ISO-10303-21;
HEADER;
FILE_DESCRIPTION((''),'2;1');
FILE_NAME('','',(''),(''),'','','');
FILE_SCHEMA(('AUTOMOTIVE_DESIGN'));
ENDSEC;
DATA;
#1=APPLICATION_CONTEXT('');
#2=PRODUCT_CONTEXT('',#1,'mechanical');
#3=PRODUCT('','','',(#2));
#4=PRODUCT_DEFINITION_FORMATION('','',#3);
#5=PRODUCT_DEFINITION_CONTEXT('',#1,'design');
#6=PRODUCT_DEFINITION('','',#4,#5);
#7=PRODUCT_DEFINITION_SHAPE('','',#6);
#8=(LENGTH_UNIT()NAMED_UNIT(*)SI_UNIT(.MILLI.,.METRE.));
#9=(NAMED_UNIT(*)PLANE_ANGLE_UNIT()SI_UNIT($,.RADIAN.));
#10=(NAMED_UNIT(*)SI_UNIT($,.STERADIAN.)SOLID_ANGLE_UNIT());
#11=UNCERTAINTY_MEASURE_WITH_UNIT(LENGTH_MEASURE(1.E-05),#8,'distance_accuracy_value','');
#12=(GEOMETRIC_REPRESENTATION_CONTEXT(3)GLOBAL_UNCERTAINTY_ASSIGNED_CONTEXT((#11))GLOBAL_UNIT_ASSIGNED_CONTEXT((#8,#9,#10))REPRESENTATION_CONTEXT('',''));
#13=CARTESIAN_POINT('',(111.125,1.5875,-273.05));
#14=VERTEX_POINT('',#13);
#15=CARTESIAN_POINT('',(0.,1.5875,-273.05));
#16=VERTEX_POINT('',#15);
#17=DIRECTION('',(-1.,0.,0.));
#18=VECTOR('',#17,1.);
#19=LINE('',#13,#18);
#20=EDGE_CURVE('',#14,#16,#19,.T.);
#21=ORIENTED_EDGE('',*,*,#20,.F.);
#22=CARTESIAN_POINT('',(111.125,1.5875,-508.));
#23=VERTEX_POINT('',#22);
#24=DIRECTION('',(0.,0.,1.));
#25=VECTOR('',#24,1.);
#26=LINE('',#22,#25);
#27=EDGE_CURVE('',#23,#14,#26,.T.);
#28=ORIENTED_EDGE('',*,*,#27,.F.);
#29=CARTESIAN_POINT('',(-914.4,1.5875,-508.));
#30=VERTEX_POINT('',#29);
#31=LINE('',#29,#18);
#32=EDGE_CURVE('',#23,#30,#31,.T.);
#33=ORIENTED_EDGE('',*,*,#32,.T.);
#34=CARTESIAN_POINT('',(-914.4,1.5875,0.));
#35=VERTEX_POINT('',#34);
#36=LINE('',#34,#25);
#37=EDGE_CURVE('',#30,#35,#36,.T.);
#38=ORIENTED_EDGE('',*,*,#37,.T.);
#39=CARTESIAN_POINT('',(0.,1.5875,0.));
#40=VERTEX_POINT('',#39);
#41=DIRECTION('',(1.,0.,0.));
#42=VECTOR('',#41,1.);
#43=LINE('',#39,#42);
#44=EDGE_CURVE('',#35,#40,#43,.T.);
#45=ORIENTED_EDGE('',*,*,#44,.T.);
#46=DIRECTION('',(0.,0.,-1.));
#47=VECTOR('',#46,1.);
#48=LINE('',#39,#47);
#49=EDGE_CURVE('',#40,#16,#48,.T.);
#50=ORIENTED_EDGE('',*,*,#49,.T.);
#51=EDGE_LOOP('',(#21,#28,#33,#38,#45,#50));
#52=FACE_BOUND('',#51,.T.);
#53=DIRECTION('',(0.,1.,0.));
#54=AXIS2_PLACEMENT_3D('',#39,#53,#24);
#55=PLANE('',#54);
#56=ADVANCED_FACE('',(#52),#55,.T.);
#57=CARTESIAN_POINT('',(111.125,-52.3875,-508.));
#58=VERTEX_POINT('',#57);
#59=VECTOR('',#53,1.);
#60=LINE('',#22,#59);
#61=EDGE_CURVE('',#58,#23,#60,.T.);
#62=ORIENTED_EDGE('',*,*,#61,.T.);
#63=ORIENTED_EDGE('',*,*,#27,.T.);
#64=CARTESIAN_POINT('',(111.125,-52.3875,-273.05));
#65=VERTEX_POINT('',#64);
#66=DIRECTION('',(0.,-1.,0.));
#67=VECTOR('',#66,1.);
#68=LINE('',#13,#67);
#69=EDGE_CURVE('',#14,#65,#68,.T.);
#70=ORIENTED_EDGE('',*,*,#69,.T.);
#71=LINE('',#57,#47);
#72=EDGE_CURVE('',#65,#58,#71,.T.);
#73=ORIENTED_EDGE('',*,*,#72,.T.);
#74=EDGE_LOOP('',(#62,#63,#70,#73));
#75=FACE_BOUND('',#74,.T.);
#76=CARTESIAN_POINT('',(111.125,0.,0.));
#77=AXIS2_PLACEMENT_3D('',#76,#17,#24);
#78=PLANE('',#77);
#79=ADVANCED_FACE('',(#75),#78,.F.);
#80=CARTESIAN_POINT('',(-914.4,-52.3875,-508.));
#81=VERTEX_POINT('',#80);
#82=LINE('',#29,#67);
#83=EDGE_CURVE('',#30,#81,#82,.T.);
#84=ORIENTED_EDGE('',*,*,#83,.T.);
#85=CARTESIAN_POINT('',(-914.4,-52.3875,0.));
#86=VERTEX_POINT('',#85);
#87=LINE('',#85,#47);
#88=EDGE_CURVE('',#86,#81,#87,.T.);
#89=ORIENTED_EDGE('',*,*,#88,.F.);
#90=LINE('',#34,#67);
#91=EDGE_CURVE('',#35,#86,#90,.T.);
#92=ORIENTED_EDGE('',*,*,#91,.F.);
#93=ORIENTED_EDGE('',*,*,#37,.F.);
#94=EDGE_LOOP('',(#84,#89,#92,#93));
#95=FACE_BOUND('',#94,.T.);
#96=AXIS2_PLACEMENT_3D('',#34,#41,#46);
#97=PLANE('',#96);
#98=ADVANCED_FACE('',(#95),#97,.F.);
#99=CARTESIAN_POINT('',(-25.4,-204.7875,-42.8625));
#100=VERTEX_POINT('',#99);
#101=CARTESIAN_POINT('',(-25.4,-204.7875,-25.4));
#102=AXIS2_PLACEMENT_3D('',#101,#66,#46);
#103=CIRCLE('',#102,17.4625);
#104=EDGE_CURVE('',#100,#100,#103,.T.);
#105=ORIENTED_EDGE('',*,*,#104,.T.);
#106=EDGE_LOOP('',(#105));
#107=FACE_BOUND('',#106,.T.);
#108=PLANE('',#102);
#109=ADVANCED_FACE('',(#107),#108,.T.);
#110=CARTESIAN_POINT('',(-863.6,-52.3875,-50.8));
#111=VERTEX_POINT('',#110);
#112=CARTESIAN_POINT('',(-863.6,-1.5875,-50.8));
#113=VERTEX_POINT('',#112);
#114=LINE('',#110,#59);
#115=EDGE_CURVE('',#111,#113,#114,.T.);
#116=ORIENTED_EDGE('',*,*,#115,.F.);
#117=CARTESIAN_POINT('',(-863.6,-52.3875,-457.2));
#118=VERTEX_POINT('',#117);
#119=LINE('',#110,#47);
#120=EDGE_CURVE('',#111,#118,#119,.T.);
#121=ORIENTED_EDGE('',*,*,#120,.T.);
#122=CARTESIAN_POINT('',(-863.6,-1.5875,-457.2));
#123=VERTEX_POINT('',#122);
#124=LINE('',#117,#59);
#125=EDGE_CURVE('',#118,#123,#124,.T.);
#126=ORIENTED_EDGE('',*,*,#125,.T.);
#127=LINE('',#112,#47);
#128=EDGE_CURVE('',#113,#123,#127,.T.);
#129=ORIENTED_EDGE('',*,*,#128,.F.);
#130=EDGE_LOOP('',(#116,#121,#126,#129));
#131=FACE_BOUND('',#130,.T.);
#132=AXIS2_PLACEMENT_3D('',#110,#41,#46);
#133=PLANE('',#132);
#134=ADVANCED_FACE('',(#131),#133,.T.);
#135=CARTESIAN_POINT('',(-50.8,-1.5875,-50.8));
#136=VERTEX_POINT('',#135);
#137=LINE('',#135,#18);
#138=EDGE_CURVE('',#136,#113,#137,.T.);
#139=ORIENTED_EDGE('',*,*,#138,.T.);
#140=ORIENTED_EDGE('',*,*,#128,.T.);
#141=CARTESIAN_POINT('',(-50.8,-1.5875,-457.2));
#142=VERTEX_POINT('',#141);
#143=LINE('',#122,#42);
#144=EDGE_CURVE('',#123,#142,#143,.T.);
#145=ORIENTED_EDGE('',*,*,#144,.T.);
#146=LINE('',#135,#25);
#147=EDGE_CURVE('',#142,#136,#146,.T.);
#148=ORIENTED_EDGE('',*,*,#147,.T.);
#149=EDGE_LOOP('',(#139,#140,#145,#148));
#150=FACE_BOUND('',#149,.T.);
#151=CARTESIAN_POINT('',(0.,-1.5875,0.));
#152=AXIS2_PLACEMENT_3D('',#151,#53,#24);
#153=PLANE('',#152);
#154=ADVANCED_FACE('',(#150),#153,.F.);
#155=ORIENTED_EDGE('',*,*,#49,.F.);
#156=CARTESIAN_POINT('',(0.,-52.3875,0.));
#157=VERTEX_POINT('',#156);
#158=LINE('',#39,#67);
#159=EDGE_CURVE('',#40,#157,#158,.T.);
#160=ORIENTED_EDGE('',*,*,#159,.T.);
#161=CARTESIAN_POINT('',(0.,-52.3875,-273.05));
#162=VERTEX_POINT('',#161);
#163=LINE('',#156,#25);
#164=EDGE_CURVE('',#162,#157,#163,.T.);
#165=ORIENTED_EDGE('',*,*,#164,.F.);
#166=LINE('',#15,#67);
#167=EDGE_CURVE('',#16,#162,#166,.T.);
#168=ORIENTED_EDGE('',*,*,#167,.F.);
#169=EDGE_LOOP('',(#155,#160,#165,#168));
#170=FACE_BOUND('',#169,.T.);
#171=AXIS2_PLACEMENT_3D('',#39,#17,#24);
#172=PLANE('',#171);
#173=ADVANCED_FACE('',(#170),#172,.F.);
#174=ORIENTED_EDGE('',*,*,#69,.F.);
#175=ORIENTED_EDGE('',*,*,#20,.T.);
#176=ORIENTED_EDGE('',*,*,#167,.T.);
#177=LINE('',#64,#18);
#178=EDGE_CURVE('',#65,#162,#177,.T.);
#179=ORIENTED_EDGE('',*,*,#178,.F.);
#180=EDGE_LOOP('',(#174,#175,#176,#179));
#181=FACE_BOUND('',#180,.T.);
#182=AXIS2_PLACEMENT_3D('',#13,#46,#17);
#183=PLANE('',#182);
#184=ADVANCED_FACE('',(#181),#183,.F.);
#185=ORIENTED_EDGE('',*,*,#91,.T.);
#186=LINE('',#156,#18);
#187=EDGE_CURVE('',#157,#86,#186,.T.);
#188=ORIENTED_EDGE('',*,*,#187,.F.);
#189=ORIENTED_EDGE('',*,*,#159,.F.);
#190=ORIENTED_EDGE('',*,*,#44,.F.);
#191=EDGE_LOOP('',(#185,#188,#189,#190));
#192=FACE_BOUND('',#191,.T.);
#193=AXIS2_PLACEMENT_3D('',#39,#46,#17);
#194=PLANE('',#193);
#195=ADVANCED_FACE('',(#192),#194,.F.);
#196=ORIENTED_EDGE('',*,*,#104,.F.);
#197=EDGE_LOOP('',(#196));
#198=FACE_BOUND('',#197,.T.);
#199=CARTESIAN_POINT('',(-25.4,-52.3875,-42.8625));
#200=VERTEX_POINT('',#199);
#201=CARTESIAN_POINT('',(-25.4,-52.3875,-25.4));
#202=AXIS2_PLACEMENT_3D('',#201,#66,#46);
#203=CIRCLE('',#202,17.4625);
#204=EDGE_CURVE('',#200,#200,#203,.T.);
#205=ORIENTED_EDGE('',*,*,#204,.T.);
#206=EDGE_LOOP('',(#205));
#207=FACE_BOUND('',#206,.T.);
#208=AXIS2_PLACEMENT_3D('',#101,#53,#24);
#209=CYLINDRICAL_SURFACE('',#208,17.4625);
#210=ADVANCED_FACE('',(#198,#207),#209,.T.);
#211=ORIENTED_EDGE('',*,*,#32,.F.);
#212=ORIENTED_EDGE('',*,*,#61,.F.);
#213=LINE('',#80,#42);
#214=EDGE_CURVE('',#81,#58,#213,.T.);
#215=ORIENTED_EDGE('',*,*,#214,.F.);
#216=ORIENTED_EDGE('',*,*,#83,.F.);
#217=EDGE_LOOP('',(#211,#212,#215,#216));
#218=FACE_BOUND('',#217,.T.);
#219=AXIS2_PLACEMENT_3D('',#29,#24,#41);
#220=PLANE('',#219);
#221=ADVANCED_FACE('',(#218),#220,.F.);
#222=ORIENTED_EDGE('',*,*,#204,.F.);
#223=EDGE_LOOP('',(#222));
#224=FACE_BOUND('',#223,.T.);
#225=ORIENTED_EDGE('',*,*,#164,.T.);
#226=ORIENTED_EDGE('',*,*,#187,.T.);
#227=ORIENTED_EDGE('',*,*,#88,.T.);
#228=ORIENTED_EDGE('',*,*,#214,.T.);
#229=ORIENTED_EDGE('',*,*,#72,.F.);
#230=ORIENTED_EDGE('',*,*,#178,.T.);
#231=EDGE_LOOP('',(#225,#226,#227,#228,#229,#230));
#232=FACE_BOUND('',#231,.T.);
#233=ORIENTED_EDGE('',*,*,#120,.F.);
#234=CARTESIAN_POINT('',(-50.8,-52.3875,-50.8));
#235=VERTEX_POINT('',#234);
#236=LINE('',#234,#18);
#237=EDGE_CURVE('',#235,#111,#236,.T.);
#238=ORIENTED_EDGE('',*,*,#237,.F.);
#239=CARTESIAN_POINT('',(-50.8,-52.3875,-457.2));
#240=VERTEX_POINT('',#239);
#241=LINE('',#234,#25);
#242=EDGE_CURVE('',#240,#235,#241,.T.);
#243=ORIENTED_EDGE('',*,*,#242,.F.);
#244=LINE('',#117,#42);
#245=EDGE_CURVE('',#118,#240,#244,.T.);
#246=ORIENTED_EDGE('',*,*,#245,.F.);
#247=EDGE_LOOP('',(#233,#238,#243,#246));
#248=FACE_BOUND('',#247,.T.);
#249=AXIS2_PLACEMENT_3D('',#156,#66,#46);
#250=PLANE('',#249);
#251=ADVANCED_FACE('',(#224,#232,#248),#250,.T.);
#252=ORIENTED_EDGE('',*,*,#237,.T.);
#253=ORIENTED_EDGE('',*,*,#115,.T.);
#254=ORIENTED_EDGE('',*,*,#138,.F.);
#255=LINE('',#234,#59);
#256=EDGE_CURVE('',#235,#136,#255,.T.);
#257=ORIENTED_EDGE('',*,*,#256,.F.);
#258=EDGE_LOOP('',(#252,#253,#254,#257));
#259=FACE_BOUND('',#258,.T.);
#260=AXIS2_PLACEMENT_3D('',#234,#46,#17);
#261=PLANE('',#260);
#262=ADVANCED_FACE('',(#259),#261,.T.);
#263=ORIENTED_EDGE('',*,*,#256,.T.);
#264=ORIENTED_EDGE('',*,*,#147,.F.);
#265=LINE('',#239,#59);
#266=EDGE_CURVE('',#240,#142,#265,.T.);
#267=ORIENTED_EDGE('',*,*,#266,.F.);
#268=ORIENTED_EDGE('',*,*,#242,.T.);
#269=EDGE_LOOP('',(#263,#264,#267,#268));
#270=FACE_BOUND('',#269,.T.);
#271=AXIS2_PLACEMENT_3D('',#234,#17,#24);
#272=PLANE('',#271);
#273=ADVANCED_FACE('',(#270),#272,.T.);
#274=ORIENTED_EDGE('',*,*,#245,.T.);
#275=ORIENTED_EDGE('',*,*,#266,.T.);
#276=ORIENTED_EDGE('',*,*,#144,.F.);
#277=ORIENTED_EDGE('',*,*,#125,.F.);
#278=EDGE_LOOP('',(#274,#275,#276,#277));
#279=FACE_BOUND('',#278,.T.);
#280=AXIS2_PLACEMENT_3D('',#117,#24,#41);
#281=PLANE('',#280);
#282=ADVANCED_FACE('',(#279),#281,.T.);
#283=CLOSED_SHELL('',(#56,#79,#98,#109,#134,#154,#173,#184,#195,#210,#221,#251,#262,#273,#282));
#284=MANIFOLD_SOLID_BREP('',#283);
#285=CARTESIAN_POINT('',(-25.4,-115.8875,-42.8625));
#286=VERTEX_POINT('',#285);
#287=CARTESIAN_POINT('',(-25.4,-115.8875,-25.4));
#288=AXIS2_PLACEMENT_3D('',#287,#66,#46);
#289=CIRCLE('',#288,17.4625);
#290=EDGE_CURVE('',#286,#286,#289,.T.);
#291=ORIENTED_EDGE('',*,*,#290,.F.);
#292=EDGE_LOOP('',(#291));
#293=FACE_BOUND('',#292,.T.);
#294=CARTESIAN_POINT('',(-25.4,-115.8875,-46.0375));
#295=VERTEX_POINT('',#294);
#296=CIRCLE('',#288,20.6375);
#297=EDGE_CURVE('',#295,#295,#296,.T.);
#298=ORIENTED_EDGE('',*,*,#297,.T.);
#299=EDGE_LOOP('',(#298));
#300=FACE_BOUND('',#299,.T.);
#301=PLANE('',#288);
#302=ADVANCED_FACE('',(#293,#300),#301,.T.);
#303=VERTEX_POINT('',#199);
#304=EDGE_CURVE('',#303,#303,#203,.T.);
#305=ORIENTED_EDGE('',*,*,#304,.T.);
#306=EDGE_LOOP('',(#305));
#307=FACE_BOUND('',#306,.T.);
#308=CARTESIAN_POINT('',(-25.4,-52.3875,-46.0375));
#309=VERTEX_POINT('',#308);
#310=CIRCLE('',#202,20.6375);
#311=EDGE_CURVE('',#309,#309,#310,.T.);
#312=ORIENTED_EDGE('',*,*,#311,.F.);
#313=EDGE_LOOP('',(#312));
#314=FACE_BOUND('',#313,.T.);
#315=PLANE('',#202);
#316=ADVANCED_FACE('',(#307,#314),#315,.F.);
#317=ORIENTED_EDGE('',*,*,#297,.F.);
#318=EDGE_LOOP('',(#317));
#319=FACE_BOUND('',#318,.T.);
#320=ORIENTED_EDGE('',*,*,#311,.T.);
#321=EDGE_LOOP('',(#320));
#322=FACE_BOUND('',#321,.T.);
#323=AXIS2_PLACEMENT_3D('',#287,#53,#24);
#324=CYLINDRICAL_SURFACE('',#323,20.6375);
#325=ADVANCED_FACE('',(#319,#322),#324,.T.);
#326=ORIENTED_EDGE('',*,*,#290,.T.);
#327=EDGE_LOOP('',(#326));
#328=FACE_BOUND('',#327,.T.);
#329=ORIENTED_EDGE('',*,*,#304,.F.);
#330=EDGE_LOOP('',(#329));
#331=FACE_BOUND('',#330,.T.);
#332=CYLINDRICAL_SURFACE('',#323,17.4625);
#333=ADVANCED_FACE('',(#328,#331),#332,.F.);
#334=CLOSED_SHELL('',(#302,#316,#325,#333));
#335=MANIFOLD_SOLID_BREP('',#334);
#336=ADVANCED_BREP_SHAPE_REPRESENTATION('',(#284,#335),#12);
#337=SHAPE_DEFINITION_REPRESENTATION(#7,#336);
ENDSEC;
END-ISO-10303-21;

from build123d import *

# Parameters (mm, degrees)
SKETCH1_W           = 914.4
SKETCH1_H           = 508
BOSS_EXTRUDE1_DEPTH = 1.5875
SKETCH2_W           = 914.4
SKETCH2_H           = 508
SKETCH2_W_2         = 812.8
SKETCH2_H_2         = 406.4
BOSS_EXTRUDE2_DEPTH = 50.8
SKETCH3_R           = 17.4625
BOSS_EXTRUDE3_DEPTH = 152.4
SKETCH4_R           = 20.6375
SKETCH4_R_2         = 17.4625
BOSS_EXTRUDE4_DEPTH = 63.5
SKETCH5_W           = 234.95
SKETCH5_H           = 53.975
BOSS_EXTRUDE5_DEPTH = 111.125


with BuildPart() as part:
    # Sketch1 → Boss-Extrude1 (new body, symmetric)
    with BuildSketch(Plane(origin=(0, 0, 0), x_dir=(1, 0, 0), z_dir=(0, 1, 0))):
        with Locations((-457.2, 254)):
            Rectangle(SKETCH1_W, SKETCH1_H)
    extrude(amount=BOSS_EXTRUDE1_DEPTH, both=True)

    # Sketch2 → Boss-Extrude2 (add)
    with BuildSketch(Plane.XZ.offset(1.5875)):
        with Locations((-457.2, -254)):
            Rectangle(SKETCH2_W, SKETCH2_H)
        with Locations((-457.2, -254)):
            Rectangle(SKETCH2_W_2, SKETCH2_H_2, mode=Mode.SUBTRACT)
    extrude(amount=BOSS_EXTRUDE2_DEPTH)

    # Sketch3 → Boss-Extrude3 (add)
    with BuildSketch(Plane.XZ.offset(52.3875)):
        with Locations(Location((-25.4, -25.4, 0), (0, 0, 270))):  # turned: the seam where the file's is
            Circle(SKETCH3_R)
    extrude(amount=BOSS_EXTRUDE3_DEPTH)

    # Sketch5 → Boss-Extrude5 (add)
    with BuildSketch(Plane(origin=(0, 0, 0), x_dir=(0, 0, -1), z_dir=(1, 0, 0))):
        with Locations((390.525, -25.4)):
            Rectangle(SKETCH5_W, SKETCH5_H)
    extrude(amount=BOSS_EXTRUDE5_DEPTH)


with BuildPart() as body_2:
    # Sketch4 → Boss-Extrude4 (new body)
    with BuildSketch(Plane.XZ.offset(52.3875)):
        with Locations(Location((-25.4, -25.4, 0), (0, 0, 270))):  # turned: the seam where the file's is
            Circle(SKETCH4_R)
        with Locations(Location((-25.4, -25.4, 0), (0, 0, 270))):  # turned: the seam where the file's is
            Circle(SKETCH4_R_2, mode=Mode.SUBTRACT)
    extrude(amount=BOSS_EXTRUDE4_DEPTH)


solid = Compound([part.part, body_2.part])
